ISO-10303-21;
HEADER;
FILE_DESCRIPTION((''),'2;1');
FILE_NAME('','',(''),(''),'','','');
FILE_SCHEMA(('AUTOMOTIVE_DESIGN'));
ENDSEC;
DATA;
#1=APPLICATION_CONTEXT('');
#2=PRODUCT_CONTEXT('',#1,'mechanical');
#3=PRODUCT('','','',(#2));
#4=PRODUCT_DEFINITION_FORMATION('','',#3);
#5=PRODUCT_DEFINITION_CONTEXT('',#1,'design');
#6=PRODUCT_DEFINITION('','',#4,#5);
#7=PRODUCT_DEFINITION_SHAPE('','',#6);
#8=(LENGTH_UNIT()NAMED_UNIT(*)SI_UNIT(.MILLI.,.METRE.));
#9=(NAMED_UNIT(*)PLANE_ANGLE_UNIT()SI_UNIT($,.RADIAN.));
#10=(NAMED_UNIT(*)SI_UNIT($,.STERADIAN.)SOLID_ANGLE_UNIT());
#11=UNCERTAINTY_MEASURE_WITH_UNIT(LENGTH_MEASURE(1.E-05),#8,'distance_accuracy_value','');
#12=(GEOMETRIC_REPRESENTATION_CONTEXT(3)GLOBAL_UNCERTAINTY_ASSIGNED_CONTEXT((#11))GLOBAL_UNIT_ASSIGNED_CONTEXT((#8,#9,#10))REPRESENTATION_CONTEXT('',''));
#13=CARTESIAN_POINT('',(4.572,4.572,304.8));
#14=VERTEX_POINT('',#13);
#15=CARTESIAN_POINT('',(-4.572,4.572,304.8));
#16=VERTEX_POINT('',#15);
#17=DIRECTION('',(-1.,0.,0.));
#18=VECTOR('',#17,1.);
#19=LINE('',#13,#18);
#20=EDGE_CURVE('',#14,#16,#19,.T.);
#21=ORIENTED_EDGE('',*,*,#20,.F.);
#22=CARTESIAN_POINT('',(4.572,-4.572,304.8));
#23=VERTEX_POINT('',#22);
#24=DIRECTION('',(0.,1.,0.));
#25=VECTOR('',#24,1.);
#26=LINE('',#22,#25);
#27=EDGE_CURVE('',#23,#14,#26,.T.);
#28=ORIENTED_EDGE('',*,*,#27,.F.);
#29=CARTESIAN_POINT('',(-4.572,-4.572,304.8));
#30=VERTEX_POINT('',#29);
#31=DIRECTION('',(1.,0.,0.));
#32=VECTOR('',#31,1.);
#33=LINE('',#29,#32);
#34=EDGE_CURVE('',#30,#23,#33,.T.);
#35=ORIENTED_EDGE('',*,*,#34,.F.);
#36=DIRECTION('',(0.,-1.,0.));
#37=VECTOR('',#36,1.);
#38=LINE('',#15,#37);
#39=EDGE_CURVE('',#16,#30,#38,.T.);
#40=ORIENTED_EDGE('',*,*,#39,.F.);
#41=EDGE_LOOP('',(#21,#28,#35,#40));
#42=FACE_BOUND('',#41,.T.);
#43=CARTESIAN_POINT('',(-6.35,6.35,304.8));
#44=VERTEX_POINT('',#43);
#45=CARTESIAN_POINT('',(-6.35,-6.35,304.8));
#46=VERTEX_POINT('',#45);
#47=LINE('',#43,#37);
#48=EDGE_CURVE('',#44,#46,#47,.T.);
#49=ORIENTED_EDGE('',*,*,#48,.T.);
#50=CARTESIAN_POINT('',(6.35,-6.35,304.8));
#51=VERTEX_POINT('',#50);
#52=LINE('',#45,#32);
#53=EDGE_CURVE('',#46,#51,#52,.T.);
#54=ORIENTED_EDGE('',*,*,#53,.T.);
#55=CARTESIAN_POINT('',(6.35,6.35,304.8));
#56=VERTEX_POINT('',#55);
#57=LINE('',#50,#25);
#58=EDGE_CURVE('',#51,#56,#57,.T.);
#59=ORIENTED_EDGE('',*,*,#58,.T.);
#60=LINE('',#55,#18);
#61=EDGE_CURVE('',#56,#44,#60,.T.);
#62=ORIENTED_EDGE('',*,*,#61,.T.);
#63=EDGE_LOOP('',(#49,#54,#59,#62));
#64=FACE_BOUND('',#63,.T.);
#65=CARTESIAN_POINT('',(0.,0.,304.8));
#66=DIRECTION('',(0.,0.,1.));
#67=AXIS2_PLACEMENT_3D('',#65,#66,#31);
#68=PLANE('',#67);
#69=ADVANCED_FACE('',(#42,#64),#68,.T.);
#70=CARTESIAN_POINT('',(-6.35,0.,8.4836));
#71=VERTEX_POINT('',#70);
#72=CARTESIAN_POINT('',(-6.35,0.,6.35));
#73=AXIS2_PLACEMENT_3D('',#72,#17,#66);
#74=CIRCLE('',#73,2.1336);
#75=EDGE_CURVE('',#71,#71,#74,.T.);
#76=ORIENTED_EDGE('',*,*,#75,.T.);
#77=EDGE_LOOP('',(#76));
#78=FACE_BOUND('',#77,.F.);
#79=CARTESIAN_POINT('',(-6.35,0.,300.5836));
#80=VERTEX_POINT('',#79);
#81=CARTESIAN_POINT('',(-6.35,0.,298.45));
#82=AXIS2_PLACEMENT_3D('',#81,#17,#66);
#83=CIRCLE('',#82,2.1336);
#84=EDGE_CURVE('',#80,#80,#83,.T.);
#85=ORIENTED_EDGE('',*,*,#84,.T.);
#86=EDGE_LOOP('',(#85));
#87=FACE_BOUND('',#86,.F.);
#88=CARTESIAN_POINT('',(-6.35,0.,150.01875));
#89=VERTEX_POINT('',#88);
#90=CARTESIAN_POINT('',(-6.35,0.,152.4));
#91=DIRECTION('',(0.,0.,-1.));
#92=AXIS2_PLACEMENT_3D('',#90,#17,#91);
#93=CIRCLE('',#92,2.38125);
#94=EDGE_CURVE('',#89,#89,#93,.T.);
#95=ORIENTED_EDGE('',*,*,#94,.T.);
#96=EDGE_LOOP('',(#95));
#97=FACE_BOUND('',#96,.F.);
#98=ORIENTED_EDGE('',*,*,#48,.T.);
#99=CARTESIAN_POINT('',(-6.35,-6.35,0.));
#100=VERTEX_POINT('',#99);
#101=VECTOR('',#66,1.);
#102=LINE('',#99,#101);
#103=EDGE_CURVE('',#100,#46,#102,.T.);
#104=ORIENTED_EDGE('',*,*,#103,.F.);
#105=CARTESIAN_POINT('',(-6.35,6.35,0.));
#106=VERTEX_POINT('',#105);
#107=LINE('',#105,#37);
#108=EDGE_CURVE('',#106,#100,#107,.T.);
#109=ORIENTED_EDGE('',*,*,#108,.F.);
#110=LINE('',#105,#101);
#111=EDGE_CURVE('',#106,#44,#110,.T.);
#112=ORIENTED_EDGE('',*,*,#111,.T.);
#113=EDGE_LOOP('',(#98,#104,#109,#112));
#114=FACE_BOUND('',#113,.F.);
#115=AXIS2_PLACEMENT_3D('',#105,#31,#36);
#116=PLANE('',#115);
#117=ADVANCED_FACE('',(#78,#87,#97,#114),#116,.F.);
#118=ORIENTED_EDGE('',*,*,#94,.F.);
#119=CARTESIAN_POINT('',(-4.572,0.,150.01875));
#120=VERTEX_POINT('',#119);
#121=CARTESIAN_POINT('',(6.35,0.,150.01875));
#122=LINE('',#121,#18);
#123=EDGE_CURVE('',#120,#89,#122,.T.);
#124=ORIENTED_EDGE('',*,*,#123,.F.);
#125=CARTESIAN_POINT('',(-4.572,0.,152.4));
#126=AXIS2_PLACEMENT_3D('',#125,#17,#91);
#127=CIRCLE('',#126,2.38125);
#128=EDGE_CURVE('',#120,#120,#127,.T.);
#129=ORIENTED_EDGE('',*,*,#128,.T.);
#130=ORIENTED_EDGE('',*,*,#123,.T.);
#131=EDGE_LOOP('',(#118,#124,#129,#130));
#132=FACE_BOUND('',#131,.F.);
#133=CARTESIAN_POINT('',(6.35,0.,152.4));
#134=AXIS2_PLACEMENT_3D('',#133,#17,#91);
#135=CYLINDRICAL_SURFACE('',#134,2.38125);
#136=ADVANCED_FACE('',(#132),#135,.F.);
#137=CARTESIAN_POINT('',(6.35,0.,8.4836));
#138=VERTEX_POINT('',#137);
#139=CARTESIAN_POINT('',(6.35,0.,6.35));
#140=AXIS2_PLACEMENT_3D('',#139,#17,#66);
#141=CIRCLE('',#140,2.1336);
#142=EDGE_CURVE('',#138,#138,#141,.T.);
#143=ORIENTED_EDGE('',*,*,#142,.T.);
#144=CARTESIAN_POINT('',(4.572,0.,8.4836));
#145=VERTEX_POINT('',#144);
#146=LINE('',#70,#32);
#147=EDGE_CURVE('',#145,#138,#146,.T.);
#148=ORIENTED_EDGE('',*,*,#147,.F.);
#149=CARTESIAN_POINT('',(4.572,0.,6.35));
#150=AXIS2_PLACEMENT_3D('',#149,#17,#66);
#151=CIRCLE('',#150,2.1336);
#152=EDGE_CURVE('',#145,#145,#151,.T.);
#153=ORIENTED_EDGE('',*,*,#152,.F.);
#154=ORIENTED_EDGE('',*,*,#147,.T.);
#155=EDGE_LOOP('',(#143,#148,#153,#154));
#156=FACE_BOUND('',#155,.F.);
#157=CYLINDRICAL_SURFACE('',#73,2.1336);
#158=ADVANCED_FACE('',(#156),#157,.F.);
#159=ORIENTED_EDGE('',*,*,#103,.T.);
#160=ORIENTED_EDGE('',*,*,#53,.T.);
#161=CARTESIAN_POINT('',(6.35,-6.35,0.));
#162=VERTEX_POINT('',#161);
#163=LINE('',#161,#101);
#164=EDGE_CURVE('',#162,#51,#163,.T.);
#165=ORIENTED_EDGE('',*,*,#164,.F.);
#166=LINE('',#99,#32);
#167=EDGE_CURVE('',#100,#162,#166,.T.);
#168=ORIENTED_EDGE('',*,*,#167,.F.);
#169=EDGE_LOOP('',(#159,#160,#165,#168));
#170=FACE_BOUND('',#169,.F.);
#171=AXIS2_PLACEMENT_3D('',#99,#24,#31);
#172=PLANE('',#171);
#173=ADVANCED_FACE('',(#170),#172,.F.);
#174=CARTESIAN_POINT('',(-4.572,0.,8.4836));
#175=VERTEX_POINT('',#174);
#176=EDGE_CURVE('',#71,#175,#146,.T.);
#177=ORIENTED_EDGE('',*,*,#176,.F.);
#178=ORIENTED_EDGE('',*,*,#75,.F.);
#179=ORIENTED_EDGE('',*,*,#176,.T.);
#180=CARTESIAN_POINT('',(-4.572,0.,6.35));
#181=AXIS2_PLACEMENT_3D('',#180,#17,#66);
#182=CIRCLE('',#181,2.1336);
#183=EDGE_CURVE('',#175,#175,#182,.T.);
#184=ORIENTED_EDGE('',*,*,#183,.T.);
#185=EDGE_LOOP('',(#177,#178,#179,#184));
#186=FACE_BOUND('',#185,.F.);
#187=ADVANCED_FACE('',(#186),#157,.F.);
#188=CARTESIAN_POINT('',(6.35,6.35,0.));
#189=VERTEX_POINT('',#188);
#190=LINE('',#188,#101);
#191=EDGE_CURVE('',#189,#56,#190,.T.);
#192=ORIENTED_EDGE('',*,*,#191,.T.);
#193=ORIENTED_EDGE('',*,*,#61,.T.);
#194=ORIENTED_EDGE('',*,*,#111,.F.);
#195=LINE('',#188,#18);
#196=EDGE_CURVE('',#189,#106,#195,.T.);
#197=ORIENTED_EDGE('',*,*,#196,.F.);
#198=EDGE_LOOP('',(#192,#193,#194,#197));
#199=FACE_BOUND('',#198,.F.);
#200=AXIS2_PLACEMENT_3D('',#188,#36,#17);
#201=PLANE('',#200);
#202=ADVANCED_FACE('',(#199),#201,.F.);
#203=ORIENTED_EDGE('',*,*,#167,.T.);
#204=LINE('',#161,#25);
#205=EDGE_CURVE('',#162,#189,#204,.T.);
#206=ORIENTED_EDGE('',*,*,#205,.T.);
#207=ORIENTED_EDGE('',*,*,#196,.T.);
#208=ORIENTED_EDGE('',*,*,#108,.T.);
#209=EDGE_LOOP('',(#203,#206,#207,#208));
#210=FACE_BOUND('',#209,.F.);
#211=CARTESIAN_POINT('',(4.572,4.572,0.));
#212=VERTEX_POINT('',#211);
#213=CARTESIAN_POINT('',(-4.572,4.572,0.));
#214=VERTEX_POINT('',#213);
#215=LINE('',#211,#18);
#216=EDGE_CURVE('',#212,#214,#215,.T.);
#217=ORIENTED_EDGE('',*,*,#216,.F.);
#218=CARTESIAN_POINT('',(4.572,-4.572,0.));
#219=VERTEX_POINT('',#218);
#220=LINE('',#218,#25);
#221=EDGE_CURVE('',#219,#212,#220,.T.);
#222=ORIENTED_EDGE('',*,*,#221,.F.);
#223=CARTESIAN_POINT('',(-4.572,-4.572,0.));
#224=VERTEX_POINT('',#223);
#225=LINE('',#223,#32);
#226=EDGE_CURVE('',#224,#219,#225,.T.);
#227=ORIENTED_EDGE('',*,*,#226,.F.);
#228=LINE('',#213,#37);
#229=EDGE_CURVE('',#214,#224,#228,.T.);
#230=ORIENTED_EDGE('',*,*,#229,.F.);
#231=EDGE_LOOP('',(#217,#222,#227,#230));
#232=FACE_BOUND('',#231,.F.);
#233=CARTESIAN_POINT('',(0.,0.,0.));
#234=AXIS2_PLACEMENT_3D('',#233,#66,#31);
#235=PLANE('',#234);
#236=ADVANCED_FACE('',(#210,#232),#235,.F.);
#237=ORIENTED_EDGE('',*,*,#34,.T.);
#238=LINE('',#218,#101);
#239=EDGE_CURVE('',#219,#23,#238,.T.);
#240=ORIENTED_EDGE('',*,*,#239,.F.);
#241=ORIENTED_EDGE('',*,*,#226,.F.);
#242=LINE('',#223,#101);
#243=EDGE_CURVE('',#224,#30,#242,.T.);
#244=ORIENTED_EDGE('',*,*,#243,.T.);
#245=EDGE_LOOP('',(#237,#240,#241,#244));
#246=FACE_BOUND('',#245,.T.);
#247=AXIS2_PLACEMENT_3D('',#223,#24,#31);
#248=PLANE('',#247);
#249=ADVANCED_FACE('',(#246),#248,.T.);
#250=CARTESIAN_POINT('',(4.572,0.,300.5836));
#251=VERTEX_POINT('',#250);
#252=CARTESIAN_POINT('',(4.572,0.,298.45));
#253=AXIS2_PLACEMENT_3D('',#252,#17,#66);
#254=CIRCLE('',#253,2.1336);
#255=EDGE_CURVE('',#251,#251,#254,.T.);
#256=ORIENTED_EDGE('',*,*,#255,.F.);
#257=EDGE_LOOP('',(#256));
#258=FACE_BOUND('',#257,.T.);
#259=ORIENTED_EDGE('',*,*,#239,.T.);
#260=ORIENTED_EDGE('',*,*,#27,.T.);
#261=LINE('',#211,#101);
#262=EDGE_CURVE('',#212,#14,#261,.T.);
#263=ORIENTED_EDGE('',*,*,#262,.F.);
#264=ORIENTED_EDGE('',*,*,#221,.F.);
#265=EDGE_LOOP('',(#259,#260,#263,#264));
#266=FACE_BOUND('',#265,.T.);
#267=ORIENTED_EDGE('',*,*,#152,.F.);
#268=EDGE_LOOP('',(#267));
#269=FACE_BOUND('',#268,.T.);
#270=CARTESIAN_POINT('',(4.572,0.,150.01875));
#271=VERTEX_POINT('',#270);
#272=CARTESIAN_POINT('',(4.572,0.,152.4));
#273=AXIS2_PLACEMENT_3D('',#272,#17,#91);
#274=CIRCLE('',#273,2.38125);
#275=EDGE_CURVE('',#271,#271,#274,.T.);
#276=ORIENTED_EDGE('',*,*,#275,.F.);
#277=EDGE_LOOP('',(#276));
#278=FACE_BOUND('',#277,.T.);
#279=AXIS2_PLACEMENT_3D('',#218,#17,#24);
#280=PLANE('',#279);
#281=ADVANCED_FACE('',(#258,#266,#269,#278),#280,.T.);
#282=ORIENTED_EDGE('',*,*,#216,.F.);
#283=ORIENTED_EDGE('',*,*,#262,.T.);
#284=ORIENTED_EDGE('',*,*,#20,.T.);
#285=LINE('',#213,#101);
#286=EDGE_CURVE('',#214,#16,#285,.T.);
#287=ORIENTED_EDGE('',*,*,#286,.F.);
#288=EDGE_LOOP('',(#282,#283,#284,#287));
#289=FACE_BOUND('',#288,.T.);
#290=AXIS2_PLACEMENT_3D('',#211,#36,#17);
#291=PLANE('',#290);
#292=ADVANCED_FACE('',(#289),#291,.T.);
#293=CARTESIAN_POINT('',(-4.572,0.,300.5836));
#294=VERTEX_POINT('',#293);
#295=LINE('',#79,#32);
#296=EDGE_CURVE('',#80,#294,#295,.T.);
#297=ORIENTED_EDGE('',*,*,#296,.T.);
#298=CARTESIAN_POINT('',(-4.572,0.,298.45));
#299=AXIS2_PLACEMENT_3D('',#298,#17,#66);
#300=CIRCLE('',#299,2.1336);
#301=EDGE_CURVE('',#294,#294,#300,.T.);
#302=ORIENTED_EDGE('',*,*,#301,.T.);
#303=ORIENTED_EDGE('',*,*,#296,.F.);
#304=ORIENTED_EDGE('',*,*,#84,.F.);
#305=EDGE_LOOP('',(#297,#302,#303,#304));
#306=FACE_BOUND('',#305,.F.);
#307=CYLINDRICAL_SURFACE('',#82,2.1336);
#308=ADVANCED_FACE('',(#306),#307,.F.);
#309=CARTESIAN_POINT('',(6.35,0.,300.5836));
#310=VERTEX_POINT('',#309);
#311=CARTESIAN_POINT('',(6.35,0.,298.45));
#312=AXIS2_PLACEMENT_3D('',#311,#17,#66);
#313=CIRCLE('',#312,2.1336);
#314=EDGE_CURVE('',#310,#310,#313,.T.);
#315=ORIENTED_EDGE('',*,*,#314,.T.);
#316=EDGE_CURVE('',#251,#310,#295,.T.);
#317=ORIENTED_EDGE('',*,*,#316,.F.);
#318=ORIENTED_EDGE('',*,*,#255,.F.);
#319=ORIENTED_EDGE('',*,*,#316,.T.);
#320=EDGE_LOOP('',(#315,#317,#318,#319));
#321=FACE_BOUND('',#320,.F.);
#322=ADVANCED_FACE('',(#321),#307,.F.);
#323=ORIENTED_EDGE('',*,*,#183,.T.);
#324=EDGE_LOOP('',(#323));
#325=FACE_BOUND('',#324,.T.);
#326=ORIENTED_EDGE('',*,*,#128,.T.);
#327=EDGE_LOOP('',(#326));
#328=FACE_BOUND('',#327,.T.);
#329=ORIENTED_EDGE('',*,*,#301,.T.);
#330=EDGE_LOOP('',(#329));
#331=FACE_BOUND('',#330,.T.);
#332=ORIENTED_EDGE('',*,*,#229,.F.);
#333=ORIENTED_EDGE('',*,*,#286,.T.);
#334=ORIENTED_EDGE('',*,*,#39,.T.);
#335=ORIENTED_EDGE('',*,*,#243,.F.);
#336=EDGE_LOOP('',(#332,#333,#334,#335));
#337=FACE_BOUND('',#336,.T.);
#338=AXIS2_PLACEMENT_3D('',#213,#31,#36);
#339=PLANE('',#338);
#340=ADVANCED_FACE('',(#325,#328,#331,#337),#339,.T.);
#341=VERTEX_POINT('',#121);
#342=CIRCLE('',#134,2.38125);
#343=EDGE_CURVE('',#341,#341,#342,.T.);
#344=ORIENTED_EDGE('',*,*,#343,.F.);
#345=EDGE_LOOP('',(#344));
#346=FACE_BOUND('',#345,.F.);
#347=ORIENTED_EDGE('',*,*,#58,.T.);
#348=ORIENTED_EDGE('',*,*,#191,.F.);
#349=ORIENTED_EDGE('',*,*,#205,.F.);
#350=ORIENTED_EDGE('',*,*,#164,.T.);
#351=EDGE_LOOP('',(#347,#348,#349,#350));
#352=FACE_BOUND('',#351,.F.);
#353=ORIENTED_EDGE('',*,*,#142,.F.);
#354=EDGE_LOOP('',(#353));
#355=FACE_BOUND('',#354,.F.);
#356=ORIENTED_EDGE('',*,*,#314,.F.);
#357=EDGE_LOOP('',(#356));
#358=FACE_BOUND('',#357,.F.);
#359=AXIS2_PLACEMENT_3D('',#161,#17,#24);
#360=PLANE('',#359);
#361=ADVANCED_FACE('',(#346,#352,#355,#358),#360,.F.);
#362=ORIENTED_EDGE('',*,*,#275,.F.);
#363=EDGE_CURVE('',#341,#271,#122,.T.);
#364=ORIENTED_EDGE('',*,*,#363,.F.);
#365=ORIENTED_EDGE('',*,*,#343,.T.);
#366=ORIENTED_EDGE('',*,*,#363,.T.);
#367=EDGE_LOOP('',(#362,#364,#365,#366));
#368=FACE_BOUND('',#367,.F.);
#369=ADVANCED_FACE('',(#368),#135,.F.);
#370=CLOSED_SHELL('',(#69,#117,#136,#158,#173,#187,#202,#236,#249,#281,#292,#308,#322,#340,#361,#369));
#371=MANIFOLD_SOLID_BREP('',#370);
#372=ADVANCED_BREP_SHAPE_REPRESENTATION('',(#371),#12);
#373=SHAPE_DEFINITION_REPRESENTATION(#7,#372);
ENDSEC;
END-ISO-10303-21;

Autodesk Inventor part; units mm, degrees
ref_plane "YZ Plane" through (0, 0, 0) normal (1, 0, 0) x (0, 1, 0)
ref_plane "XZ Plane" through (0, 0, 0) normal (0, 1, 0) x (-1, 0, 0)
ref_plane "XY Plane" through (0, 0, 0) normal (0, 0, 1) x (1, 0, 0)
sketch "Sketch1" plane through (0, 0, 0) normal (0, 0, 1) x (1, 0, 0)
  line L0 (-6.35, -6.35) -> (6.35, -6.35)
  line L1 (6.35, -6.35) -> (6.35, 6.35)
  line L2 (6.35, 6.35) -> (-6.35, 6.35)
  line L3 (-6.35, 6.35) -> (-6.35, -6.35)
  line L4 (-6.35, -6.35) -> (6.35, 6.35) construction
  line L5 (6.35, -6.35) -> (-6.35, 6.35) construction
  line L6 (-4.572, -4.572) -> (4.572, -4.572)
  line L7 (4.572, -4.572) -> (4.572, 4.572)
  line L8 (4.572, 4.572) -> (-4.572, 4.572)
  line L9 (-4.572, 4.572) -> (-4.572, -4.572)
  line L10 (-4.572, -4.572) -> (4.572, 4.572) construction
  line L11 (4.572, -4.572) -> (-4.572, 4.572) construction
  point P0 (0, 0)
  dimension "d0" = 12.7
  dimension "d1" = 12.7
  dimension "d5" = 1.778
extrude "Extrusion1" add sketch "Sketch1" along normal blind 304.8
sketch "Sketch3" plane through (6.35, 6.35, 304.8) normal (1, 0, 0) x (0, 0, -1)
  point P0 (304.8, -6.35)
  point P1 (152.4, -6.35)
hole "Hole1" at (6.35, 0, 152.4) direction (-1, 0, 0) diameter 4.7625 depth 25.4 tip angle 118
sketch "Sketch4" plane through (-6.35, -6.35, 0) normal (-1, 0, 0) x (0, 0, 1)
  line L0 (0, 12.7) -> (0, 0) projected
  line L1 (304.8, 12.7) -> (304.8, 0) projected
  circle A0 centre (298.45, 6.35) radius 2.1336
  circle A1 centre (6.35, 6.35) radius 2.1336
  point P0 (0, 6.35)
  dimension "d13" = 4.2672
  dimension "d14" = 6.35
  dimension "d15" = 4.2672
  dimension "d16" = 6.35
extrude "Extrusion2" cut sketch "Sketch4" against normal blind 12.7
properties part number "5x5mm Box Aluminum" material "Aluminum 6061"
